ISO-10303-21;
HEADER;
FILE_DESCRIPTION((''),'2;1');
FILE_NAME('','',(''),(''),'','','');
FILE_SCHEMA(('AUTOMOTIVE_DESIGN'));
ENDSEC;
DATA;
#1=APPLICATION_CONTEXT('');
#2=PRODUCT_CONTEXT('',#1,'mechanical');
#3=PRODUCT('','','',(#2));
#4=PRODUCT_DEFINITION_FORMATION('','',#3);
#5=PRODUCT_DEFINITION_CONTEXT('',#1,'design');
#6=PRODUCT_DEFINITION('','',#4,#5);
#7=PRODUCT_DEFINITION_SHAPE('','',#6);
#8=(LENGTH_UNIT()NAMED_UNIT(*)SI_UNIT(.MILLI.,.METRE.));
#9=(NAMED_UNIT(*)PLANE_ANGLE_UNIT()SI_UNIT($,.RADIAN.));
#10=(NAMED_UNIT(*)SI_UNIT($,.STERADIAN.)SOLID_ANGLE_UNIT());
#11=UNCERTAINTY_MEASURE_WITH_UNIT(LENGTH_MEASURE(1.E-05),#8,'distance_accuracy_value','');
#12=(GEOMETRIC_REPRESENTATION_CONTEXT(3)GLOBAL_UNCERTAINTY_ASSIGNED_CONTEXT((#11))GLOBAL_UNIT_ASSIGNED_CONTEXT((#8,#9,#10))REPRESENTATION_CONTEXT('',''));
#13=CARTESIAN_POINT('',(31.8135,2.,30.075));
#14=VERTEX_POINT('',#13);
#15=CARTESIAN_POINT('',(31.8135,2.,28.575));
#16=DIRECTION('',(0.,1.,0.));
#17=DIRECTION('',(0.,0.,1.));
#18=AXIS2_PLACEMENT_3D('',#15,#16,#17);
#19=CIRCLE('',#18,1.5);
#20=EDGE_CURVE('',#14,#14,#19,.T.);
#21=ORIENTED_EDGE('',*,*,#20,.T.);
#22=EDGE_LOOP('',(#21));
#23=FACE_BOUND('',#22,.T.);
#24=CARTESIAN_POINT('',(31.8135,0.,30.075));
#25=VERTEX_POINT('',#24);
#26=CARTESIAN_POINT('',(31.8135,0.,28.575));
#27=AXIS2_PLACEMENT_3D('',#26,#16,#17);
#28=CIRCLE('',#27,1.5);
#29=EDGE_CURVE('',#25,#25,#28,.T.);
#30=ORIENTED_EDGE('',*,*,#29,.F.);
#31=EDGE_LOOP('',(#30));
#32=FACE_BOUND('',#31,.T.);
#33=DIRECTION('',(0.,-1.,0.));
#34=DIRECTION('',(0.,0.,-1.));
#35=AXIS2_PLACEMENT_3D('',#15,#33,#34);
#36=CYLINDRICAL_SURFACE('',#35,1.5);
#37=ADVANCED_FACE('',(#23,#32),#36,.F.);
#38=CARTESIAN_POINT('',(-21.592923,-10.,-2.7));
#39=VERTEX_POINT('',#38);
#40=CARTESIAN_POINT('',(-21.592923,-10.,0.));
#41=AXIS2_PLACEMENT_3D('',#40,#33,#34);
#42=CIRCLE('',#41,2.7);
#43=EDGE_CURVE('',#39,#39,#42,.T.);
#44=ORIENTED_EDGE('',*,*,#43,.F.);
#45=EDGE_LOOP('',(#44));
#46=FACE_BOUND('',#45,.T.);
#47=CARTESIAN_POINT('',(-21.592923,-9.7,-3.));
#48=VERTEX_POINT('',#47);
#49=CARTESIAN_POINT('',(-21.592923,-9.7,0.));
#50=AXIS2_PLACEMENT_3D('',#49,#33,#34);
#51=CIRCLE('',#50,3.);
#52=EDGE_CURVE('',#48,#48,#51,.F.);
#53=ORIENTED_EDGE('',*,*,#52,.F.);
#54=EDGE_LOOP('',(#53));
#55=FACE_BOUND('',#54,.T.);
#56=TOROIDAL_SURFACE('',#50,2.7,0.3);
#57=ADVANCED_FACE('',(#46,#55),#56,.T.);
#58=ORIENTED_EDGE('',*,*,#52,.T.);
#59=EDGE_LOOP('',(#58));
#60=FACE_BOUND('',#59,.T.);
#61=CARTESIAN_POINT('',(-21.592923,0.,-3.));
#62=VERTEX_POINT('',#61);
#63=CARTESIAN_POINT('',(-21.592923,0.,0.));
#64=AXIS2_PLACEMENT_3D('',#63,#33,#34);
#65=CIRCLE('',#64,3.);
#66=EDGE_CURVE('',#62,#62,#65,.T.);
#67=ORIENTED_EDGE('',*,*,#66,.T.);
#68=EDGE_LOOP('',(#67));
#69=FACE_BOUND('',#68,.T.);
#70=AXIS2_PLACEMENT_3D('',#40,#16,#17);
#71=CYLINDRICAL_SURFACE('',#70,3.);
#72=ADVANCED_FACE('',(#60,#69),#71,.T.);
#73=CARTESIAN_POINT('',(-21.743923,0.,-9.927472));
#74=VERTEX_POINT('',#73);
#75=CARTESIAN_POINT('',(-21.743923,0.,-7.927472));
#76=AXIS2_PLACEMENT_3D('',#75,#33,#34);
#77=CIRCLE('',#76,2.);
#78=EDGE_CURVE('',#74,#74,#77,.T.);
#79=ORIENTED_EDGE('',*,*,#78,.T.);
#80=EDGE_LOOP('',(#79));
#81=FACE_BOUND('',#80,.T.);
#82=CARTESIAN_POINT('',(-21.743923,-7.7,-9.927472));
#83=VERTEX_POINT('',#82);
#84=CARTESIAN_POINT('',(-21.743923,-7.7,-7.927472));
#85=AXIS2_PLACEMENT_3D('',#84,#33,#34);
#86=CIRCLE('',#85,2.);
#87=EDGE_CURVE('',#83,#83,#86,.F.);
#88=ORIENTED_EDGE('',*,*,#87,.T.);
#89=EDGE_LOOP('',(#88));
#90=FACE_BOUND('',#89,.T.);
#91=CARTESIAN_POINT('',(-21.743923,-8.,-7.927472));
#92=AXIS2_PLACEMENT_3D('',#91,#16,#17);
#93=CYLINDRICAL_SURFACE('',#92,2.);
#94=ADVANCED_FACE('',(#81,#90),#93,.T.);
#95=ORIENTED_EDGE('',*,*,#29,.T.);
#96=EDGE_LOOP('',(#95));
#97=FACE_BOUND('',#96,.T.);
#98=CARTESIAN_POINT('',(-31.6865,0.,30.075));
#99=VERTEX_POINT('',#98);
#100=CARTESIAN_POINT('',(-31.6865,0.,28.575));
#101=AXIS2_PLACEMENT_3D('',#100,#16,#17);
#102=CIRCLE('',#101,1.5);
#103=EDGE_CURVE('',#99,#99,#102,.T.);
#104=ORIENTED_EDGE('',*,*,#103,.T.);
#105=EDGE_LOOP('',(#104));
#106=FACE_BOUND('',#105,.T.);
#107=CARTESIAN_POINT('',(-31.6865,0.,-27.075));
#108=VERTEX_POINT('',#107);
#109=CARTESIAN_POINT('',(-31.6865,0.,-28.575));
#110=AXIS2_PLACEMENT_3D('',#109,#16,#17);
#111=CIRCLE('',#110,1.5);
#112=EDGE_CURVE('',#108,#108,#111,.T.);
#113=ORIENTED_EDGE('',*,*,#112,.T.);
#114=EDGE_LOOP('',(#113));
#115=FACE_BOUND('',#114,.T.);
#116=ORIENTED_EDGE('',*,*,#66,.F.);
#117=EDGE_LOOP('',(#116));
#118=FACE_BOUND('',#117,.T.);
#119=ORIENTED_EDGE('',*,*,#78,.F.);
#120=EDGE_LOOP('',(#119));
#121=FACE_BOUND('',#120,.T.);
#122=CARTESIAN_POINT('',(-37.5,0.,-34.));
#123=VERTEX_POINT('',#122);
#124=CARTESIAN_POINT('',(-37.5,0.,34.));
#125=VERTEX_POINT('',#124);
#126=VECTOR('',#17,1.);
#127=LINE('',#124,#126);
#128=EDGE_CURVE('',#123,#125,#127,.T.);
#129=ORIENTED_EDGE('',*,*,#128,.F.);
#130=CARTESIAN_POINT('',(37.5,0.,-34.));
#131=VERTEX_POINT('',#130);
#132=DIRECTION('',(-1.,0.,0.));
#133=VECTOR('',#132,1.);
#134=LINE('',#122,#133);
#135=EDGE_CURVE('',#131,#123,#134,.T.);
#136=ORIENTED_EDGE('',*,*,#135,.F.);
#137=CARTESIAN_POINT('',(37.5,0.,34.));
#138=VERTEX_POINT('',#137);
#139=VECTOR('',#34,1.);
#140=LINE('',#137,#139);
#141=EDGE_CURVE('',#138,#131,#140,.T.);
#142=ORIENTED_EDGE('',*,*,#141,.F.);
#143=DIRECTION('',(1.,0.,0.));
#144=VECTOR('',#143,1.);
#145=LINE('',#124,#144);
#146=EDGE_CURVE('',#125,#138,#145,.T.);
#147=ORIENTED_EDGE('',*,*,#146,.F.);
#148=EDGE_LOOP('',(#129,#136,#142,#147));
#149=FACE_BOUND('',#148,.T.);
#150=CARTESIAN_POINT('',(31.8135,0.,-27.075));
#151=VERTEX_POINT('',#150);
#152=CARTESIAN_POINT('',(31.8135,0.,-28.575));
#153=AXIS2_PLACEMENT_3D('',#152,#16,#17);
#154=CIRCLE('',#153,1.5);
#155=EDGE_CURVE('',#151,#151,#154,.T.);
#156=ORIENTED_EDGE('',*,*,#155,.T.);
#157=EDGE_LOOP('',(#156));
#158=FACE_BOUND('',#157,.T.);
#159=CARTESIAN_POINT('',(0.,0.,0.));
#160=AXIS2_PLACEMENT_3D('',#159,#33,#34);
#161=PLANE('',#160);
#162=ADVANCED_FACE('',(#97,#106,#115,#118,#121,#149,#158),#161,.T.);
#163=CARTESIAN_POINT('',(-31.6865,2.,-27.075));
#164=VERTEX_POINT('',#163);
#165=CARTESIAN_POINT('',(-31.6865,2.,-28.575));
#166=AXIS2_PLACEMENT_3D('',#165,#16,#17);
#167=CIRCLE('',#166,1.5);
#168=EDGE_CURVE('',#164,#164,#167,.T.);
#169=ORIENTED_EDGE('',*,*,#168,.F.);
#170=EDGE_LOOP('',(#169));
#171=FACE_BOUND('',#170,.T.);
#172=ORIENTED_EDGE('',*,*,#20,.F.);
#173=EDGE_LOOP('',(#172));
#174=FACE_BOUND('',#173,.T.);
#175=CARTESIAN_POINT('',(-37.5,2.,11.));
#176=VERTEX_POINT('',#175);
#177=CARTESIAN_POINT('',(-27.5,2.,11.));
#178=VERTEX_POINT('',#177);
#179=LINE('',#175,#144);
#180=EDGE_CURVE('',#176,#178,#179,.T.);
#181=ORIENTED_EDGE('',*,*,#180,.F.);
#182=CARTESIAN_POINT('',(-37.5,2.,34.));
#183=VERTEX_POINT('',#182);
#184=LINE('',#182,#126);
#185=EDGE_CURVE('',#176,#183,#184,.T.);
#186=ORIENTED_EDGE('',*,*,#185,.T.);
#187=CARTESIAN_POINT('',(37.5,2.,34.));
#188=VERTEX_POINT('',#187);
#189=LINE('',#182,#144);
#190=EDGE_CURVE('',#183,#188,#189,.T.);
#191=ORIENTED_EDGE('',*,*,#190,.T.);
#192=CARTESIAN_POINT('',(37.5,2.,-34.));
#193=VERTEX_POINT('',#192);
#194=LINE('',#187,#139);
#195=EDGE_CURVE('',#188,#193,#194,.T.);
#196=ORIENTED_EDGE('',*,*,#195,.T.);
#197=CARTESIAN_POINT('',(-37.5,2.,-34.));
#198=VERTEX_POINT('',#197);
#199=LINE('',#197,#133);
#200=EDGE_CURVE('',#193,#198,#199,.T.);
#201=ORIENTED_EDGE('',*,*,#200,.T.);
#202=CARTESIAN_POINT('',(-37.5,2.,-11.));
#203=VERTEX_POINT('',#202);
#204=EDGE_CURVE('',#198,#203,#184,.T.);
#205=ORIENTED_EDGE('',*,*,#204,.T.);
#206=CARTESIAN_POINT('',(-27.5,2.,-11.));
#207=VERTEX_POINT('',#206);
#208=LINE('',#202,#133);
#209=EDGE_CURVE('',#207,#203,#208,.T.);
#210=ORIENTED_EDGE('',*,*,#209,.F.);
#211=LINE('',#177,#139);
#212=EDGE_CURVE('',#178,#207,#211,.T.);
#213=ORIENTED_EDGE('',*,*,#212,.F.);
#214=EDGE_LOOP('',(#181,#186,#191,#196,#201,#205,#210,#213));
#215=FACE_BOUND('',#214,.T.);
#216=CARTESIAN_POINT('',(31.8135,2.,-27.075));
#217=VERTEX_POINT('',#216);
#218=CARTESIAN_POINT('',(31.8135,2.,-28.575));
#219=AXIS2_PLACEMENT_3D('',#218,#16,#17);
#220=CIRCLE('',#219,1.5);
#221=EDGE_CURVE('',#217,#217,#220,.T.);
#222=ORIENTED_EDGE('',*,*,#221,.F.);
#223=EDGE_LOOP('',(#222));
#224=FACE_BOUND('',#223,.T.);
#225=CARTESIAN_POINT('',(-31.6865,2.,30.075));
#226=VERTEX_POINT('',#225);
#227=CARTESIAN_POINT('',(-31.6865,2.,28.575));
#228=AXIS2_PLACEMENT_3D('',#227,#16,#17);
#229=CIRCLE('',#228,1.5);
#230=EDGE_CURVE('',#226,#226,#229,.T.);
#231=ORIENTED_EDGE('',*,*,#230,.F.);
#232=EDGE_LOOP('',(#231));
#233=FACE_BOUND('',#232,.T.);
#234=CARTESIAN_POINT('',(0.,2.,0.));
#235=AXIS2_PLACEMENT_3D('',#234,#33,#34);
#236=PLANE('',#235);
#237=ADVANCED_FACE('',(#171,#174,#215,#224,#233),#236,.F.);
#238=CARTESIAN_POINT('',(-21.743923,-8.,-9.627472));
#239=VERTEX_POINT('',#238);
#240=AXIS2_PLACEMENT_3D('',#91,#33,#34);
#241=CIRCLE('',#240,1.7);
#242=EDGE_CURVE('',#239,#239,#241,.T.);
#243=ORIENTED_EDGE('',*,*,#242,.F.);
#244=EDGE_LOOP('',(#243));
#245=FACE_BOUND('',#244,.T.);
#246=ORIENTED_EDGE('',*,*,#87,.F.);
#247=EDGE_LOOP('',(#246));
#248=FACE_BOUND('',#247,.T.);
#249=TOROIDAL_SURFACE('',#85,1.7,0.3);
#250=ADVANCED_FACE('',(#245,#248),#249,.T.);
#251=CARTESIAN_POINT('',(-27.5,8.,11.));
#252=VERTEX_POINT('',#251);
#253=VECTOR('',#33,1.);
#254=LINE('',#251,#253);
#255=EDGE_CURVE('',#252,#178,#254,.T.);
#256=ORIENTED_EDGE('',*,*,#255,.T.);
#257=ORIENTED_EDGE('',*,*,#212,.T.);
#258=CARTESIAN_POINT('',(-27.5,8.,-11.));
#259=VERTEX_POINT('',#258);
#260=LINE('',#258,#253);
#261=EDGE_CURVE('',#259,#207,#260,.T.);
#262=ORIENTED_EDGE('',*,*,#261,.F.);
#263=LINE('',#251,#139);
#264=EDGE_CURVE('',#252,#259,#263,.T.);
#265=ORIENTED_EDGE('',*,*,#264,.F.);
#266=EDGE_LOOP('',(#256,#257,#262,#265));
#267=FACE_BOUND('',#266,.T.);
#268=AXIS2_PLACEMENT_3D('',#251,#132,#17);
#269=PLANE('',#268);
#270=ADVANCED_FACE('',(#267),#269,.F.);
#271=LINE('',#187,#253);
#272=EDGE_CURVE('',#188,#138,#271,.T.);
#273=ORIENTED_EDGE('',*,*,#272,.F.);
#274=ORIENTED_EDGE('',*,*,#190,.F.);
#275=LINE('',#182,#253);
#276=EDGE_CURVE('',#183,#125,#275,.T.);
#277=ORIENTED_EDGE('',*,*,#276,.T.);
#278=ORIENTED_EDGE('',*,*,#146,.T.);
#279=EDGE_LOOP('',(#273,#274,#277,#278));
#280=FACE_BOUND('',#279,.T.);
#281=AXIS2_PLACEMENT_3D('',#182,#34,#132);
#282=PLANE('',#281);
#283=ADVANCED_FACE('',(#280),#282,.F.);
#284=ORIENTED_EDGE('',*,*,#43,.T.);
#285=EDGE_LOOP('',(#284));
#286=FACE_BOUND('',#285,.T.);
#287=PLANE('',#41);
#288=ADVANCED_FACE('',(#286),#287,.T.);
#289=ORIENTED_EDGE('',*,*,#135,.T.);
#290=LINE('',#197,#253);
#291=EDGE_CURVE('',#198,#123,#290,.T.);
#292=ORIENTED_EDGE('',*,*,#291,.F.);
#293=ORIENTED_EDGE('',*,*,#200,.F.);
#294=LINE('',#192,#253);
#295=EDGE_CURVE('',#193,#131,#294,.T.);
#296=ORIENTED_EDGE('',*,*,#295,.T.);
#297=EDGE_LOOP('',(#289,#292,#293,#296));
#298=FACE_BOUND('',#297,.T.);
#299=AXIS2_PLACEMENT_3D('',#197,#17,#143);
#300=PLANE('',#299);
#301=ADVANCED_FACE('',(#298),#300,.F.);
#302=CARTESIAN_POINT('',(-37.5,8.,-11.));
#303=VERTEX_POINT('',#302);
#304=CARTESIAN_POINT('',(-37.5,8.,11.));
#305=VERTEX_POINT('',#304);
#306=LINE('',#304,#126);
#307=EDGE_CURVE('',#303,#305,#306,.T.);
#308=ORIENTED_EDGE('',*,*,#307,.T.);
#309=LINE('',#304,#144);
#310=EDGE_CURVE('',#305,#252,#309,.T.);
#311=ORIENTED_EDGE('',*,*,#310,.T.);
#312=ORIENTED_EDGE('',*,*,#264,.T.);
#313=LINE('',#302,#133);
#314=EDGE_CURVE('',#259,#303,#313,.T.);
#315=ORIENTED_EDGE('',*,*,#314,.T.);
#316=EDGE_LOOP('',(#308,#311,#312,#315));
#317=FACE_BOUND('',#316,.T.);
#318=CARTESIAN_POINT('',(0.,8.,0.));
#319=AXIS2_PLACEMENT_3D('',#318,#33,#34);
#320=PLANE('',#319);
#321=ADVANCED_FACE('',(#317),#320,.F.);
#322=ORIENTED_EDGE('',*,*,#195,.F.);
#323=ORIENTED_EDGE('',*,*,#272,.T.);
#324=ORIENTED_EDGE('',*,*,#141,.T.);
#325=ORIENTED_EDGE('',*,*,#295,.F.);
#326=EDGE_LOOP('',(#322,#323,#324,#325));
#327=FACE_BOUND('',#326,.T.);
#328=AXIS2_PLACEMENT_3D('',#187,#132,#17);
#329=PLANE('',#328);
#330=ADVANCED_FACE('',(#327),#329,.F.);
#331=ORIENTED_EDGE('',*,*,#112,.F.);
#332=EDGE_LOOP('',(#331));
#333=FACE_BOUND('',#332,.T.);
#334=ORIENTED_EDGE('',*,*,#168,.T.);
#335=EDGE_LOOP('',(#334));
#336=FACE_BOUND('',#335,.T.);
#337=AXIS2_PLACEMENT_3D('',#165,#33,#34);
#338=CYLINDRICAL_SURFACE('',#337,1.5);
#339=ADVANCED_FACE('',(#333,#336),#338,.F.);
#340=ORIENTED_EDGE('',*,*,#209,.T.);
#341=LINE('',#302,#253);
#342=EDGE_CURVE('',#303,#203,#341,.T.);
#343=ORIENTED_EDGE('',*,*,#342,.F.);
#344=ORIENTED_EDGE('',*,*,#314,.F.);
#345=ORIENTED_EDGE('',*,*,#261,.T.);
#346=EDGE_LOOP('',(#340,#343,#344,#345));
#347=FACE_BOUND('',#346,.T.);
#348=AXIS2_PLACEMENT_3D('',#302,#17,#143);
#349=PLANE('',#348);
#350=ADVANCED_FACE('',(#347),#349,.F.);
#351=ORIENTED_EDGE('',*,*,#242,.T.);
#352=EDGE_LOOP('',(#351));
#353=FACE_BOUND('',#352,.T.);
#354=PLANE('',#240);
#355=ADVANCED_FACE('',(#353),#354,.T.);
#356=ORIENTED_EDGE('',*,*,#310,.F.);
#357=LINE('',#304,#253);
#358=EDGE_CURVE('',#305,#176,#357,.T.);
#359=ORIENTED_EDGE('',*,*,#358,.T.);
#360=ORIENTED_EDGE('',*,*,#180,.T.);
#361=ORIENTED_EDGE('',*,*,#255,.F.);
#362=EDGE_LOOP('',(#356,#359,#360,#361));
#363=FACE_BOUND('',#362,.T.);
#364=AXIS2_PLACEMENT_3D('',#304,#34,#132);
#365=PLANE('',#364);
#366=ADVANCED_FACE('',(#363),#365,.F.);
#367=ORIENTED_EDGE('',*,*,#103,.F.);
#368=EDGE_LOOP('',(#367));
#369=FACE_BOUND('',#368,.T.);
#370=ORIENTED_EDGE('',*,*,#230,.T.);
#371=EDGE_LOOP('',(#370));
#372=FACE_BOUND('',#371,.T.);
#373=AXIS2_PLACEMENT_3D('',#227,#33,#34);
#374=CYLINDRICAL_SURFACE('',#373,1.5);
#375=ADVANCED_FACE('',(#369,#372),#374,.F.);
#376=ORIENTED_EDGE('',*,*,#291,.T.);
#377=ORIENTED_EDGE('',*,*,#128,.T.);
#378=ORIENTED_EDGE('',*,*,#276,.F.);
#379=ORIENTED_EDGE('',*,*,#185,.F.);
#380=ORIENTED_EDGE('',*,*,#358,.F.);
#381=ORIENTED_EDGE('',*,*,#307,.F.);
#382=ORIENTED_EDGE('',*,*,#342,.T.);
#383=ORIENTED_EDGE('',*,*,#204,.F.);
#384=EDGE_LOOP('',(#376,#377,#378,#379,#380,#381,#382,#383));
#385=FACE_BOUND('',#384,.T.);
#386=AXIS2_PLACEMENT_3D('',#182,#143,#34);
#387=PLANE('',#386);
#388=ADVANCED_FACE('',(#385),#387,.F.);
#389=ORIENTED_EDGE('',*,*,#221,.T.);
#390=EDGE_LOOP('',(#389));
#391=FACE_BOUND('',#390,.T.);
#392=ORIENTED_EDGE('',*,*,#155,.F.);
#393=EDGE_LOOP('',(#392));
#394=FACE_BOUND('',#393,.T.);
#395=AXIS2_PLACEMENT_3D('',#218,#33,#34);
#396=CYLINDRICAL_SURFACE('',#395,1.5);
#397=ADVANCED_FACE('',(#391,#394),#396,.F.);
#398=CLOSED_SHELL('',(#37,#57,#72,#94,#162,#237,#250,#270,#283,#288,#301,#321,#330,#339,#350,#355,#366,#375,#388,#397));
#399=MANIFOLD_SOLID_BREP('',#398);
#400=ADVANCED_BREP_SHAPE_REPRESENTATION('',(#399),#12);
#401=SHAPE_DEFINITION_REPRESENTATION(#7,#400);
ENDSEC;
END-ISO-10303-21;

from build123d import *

# Parameters (mm, degrees)
SKETCH1_W           = 75
SKETCH1_H           = 68
SKETCH1_R           = 1.5
BOSS_EXTRUDE1_DEPTH = 2
SKETCH2_R           = 3
BOSS_EXTRUDE2_DEPTH = 10
SKETCH3_R           = 2
BOSS_EXTRUDE3_DEPTH = 8
FILLET1_R           = 0.3
SKETCH4_W           = 10
SKETCH4_H           = 22
BOSS_EXTRUDE4_DEPTH = 6


with BuildPart() as part:
    # Sketch1 → Boss-Extrude1 (new body)
    with BuildSketch(Plane(origin=(0, 0, 0), x_dir=(1, 0, 0), z_dir=(0, 1, 0))):
        Rectangle(SKETCH1_W, SKETCH1_H)
        with Locations(Location((31.8135, 28.575, 0), (0, 0, 270))):
            Circle(SKETCH1_R, mode=Mode.SUBTRACT)
        with Locations(Location((31.8135, -28.575, 0), (0, 0, 270))):
            Circle(SKETCH1_R, mode=Mode.SUBTRACT)
        with Locations(Location((-31.6865, 28.575, 0), (0, 0, 270))):
            Circle(SKETCH1_R, mode=Mode.SUBTRACT)
        with Locations(Location((-31.6865, -28.575, 0), (0, 0, 270))):
            Circle(SKETCH1_R, mode=Mode.SUBTRACT)
    extrude(amount=BOSS_EXTRUDE1_DEPTH)

    # Sketch2 → Boss-Extrude2 (add)
    with BuildSketch(Plane.XZ):
        with Locations(Location((-21.592923404, 0, 0), (0, 0, 270))):
            Circle(SKETCH2_R)
    extrude(amount=BOSS_EXTRUDE2_DEPTH)

    # Sketch3 → Boss-Extrude3 (add)
    with BuildSketch(Plane.XZ):
        with Locations(Location((-21.743922868, -7.927471879, 0), (0, 0, 270))):
            Circle(SKETCH3_R)
    extrude(amount=BOSS_EXTRUDE3_DEPTH)

    # Fillet1
    fillet1_edges = [part.edges().sort_by_distance(p)[0] for p in [
        (-21.592923404, -10, 3),
        (-21.743922868, -8, -5.927471879),
    ]]
    fillet(fillet1_edges, radius=FILLET1_R)

    # Sketch4 → Boss-Extrude4 (add)
    with BuildSketch(Plane(origin=(0, 2, 0), x_dir=(1, 0, 0), z_dir=(0, 1, 0))):
        with Locations((-32.5, 0)):
            Rectangle(SKETCH4_W, SKETCH4_H)
    extrude(amount=BOSS_EXTRUDE4_DEPTH)


solid = part.part
